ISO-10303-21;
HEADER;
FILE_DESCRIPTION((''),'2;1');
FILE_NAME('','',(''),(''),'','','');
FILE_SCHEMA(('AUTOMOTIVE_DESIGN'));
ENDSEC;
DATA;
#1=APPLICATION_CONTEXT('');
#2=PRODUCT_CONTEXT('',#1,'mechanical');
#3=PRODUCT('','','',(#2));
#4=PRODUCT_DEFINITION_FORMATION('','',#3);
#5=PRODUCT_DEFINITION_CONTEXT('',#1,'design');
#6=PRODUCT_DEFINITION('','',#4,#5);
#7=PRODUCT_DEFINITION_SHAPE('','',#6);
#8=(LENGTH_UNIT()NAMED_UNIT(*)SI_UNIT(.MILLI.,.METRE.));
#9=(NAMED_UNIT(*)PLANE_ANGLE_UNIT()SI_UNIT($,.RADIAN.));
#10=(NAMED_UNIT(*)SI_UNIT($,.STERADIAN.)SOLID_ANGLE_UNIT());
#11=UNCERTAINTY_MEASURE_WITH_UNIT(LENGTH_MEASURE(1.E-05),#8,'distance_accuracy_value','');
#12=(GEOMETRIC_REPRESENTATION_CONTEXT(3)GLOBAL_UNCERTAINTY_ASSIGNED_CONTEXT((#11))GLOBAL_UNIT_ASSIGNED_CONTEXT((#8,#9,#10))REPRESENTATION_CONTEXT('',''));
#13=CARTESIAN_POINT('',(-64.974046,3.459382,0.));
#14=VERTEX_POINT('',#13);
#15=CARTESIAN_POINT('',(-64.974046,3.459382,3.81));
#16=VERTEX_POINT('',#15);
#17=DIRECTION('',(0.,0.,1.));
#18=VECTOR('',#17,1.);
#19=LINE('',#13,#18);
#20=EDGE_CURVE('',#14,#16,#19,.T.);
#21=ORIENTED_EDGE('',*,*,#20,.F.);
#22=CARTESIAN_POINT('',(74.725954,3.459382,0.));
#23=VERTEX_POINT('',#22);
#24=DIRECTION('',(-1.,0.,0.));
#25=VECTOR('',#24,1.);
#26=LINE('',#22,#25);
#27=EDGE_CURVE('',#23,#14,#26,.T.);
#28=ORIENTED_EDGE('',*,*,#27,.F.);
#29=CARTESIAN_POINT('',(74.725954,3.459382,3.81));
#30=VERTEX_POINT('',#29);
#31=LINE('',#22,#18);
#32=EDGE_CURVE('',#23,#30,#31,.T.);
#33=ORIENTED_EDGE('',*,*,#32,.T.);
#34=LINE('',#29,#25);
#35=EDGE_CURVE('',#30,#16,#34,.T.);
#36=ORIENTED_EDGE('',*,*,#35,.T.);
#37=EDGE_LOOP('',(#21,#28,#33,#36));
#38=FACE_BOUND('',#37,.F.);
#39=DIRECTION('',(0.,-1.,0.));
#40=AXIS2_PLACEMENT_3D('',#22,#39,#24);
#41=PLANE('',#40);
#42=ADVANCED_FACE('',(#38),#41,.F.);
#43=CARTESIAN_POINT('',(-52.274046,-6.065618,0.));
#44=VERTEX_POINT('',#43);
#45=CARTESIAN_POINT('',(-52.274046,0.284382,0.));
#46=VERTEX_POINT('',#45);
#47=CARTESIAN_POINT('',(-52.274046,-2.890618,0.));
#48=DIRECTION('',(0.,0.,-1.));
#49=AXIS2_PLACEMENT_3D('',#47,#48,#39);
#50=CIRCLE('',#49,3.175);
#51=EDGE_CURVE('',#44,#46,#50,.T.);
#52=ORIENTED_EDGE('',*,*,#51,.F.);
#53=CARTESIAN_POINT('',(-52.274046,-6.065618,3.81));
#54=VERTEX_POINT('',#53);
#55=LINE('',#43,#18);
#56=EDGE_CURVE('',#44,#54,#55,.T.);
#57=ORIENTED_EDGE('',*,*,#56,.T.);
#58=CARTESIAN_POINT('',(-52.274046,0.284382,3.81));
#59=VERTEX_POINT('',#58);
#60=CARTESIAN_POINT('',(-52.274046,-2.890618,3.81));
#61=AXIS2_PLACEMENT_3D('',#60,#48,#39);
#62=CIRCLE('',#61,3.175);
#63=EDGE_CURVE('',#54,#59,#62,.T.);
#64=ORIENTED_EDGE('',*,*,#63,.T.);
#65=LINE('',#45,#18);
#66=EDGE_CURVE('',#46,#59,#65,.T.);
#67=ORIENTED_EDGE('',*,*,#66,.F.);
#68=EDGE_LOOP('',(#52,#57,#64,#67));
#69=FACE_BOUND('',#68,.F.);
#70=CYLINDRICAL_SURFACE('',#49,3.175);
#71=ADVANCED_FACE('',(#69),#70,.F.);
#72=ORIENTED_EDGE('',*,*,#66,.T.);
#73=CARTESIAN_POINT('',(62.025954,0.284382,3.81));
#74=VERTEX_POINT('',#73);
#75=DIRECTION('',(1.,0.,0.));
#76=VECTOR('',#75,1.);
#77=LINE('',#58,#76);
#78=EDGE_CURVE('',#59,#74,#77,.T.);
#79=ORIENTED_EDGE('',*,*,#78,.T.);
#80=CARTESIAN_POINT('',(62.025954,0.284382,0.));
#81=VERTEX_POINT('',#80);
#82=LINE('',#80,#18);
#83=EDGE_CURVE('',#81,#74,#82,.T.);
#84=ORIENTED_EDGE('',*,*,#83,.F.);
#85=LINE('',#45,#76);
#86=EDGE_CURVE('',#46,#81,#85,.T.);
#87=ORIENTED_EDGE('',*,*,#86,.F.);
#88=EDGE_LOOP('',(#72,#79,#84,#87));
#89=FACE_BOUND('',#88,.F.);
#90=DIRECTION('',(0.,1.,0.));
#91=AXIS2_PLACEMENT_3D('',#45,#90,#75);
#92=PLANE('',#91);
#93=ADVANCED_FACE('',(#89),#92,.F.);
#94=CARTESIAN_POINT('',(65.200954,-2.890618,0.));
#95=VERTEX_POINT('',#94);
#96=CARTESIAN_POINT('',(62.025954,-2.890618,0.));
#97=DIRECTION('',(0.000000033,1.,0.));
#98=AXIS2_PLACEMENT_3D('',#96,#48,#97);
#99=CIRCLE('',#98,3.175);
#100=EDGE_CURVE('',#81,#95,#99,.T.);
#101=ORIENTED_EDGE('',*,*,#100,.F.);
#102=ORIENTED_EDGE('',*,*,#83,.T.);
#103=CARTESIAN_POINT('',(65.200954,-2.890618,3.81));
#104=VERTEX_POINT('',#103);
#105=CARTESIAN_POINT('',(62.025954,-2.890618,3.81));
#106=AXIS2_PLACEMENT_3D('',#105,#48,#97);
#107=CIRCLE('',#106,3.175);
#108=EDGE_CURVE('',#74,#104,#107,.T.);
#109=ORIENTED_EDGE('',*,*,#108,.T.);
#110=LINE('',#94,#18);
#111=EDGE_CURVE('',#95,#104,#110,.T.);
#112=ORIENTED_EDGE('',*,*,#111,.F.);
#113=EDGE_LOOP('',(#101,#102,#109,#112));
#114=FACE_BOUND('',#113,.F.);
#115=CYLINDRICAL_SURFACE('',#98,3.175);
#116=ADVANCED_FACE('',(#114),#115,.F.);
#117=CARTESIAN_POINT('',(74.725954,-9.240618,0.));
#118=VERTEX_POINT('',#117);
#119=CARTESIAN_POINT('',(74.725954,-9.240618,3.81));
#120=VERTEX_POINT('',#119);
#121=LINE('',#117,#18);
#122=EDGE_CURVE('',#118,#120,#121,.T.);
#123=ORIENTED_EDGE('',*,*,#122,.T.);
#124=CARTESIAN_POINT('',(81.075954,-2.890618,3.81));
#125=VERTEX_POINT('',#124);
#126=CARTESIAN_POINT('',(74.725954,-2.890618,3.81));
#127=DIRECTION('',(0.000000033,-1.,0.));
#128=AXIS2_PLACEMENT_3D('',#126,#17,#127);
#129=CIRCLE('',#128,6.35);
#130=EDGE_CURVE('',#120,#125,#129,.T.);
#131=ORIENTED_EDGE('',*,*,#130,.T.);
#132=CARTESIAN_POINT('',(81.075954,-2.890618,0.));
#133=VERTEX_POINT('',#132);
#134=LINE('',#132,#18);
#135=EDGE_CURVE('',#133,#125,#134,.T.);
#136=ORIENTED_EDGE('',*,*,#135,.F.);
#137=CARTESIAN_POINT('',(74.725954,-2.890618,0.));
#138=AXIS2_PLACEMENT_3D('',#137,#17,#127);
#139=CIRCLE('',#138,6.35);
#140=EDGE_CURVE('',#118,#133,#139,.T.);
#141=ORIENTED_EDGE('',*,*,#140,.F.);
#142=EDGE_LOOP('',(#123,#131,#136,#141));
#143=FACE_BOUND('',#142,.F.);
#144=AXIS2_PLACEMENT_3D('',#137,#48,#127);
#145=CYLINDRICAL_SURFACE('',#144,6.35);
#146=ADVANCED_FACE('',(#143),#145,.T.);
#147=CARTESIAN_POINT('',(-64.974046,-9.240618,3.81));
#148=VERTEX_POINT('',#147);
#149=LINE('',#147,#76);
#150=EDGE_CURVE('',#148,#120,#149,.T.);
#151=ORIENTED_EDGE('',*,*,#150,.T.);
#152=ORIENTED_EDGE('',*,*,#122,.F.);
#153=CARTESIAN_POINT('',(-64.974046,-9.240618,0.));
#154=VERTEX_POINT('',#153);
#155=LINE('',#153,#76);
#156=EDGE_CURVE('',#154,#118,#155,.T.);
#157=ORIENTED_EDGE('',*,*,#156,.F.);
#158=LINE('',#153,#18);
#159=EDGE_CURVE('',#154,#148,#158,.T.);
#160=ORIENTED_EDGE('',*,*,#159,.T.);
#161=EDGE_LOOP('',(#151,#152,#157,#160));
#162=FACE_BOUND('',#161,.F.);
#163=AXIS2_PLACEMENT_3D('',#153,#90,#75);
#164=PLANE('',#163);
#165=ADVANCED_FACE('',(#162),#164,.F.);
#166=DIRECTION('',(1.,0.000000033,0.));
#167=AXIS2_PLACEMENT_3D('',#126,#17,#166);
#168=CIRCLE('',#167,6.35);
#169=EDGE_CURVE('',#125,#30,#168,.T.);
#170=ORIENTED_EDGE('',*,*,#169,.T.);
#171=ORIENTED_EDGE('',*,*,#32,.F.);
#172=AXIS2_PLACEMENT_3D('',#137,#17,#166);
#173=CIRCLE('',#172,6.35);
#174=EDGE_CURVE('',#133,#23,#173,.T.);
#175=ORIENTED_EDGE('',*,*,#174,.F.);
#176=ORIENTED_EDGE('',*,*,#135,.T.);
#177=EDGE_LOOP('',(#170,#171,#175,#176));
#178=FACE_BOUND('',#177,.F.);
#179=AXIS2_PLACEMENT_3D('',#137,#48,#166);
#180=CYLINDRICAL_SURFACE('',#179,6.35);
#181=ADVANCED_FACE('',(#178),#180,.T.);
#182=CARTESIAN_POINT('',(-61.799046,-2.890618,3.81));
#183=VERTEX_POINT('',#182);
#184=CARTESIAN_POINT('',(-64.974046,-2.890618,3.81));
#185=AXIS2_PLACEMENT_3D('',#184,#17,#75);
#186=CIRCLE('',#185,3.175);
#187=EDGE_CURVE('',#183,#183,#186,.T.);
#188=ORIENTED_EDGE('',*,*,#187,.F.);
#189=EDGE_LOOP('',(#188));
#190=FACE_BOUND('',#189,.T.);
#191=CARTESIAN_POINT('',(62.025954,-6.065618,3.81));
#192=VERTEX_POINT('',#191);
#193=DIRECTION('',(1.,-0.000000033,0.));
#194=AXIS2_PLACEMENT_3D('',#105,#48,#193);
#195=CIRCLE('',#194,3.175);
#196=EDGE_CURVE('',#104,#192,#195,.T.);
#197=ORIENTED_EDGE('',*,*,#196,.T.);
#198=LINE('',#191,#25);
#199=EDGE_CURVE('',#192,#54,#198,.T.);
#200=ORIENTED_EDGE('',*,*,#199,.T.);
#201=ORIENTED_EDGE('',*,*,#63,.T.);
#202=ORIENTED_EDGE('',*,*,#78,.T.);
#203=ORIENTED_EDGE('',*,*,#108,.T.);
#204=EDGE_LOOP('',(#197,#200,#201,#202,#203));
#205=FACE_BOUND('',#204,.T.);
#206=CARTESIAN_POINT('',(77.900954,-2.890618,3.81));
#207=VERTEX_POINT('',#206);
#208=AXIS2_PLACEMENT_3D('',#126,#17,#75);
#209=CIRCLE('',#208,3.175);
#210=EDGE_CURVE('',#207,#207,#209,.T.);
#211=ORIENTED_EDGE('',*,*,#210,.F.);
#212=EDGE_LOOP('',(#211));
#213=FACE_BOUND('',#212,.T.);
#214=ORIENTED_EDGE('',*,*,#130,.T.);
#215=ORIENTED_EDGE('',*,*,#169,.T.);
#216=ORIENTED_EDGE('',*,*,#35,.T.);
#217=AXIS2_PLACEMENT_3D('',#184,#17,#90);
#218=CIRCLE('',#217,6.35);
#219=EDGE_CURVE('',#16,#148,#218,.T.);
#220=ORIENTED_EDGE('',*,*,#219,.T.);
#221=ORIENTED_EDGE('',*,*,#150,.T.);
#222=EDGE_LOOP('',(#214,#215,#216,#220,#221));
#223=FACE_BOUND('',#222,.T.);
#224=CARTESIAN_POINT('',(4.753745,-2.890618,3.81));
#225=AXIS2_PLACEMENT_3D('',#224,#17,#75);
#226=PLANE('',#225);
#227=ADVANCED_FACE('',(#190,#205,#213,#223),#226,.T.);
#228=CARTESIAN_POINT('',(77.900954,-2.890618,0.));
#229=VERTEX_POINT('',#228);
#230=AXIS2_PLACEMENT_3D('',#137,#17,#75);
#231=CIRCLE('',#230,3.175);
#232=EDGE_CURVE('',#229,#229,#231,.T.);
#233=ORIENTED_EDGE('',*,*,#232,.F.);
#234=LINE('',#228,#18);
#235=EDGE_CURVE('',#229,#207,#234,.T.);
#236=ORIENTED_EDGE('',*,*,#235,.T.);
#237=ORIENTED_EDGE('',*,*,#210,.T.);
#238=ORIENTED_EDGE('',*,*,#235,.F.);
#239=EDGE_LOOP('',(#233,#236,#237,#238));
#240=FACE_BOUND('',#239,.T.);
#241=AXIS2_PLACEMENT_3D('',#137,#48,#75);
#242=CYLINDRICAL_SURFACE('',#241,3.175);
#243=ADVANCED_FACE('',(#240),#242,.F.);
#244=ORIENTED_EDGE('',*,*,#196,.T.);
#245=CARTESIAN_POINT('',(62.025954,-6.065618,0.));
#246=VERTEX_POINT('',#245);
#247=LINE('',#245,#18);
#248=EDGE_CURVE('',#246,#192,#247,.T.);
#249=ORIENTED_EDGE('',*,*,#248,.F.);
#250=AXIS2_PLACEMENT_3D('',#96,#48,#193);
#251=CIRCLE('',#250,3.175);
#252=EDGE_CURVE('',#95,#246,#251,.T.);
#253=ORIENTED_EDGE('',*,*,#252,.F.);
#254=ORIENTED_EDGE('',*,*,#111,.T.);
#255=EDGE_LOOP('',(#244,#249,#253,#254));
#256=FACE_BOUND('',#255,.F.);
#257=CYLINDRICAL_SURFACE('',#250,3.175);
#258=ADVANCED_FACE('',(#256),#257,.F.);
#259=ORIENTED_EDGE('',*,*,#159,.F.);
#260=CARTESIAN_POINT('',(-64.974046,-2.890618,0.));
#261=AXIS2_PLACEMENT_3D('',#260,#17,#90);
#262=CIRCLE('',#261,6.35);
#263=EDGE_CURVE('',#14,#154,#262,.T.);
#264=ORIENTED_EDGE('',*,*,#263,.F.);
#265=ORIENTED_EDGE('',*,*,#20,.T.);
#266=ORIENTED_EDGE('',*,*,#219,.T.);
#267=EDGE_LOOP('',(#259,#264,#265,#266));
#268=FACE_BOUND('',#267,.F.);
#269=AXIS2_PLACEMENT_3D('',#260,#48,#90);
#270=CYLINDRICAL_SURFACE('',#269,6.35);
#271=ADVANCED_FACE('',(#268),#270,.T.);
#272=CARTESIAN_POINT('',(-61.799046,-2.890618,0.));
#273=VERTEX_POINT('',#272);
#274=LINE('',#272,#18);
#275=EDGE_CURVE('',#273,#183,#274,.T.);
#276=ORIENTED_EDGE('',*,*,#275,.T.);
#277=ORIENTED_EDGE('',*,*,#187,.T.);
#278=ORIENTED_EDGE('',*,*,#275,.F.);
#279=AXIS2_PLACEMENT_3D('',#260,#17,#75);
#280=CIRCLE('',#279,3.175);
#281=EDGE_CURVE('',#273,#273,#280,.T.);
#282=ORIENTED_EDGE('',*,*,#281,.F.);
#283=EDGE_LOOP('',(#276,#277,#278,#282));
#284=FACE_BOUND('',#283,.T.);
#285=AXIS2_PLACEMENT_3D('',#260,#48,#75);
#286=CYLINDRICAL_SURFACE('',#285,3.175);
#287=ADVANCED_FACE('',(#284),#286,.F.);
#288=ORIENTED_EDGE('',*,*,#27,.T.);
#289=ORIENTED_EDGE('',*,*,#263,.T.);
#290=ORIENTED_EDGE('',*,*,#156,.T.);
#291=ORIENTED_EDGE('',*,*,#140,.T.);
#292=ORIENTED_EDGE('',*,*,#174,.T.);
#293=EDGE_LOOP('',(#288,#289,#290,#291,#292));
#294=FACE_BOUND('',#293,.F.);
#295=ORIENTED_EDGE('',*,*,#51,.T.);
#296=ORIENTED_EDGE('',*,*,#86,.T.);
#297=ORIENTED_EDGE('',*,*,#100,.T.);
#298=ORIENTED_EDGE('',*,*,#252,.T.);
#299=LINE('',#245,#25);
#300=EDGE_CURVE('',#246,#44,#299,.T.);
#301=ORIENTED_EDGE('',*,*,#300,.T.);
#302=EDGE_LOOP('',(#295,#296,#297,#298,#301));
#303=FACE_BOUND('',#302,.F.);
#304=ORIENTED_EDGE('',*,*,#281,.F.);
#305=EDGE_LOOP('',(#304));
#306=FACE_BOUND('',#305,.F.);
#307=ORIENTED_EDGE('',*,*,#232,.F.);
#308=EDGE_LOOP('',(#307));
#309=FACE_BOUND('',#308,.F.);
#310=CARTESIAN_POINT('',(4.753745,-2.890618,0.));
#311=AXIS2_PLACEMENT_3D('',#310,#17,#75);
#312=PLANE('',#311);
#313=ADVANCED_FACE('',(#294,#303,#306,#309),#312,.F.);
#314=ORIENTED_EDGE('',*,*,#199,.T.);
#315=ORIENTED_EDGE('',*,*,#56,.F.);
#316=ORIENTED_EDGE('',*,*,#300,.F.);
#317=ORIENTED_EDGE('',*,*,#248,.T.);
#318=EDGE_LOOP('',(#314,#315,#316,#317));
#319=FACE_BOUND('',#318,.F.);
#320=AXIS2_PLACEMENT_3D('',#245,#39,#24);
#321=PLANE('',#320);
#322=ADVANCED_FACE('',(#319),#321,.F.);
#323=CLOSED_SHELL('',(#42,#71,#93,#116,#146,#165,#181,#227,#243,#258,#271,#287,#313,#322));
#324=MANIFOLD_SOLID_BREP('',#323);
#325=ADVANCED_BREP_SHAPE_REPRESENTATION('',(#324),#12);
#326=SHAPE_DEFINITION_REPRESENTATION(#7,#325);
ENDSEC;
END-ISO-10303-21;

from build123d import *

# Parameters (mm, degrees)
F0_R     = 3.175
F1_DEPTH = 3.81


with BuildPart() as f1:
    # F0 (on Top) → F1 (new body)
    with BuildSketch(Plane.XY):
        with BuildLine():
            Line((74.725954, 3.459382), (-64.974046, 3.459382))
            ThreePointArc((-64.974046, 3.459382), (-60.483918, 1.59951), (-58.624046, -2.890618))
            ThreePointArc((-58.624046, -2.890618), (-60.483918, -7.380746), (-64.974046, -9.240618))
            Line((-64.974046, -9.240618), (74.725954, -9.240618))
            ThreePointArc((74.725954, -9.240618), (68.375954, -2.890618), (74.725954, 3.459382))
        make_face()
        with BuildLine():
            ThreePointArc((-52.274046, -6.065618), (-55.449046, -2.890618), (-52.274046, 0.284382))
            Line((-52.274046, 0.284382), (62.025954, 0.284382))
            ThreePointArc((62.025954, 0.284382), (64.271018, -0.645554), (65.200954, -2.890618))
            ThreePointArc((65.200954, -2.890618), (64.271018, -5.135682), (62.025954, -6.065618))
            Line((62.025954, -6.065618), (-52.274046, -6.065618))
        make_face(mode=Mode.SUBTRACT)
        with BuildLine():
            ThreePointArc((81.075954, -2.890618), (79.216082, 1.59951), (74.725954, 3.459382))
            ThreePointArc((74.725954, 3.459382), (68.375954, -2.890618), (74.725954, -9.240618))
            ThreePointArc((74.725954, -9.240618), (79.216082, -7.380746), (81.075954, -2.890618))
        make_face()
        with Locations((74.725954, -2.890618)):
            Circle(F0_R, mode=Mode.SUBTRACT)
        with BuildLine():
            ThreePointArc((-58.624046, -2.890618), (-60.483918, 1.59951), (-64.974046, 3.459382))
            ThreePointArc((-64.974046, 3.459382), (-71.324046, -2.890618), (-64.974046, -9.240618))
            ThreePointArc((-64.974046, -9.240618), (-60.483918, -7.380746), (-58.624046, -2.890618))
        make_face()
        with Locations((-64.974046, -2.890618)):
            Circle(F0_R, mode=Mode.SUBTRACT)
    extrude(amount=F1_DEPTH)


solid = f1.part
